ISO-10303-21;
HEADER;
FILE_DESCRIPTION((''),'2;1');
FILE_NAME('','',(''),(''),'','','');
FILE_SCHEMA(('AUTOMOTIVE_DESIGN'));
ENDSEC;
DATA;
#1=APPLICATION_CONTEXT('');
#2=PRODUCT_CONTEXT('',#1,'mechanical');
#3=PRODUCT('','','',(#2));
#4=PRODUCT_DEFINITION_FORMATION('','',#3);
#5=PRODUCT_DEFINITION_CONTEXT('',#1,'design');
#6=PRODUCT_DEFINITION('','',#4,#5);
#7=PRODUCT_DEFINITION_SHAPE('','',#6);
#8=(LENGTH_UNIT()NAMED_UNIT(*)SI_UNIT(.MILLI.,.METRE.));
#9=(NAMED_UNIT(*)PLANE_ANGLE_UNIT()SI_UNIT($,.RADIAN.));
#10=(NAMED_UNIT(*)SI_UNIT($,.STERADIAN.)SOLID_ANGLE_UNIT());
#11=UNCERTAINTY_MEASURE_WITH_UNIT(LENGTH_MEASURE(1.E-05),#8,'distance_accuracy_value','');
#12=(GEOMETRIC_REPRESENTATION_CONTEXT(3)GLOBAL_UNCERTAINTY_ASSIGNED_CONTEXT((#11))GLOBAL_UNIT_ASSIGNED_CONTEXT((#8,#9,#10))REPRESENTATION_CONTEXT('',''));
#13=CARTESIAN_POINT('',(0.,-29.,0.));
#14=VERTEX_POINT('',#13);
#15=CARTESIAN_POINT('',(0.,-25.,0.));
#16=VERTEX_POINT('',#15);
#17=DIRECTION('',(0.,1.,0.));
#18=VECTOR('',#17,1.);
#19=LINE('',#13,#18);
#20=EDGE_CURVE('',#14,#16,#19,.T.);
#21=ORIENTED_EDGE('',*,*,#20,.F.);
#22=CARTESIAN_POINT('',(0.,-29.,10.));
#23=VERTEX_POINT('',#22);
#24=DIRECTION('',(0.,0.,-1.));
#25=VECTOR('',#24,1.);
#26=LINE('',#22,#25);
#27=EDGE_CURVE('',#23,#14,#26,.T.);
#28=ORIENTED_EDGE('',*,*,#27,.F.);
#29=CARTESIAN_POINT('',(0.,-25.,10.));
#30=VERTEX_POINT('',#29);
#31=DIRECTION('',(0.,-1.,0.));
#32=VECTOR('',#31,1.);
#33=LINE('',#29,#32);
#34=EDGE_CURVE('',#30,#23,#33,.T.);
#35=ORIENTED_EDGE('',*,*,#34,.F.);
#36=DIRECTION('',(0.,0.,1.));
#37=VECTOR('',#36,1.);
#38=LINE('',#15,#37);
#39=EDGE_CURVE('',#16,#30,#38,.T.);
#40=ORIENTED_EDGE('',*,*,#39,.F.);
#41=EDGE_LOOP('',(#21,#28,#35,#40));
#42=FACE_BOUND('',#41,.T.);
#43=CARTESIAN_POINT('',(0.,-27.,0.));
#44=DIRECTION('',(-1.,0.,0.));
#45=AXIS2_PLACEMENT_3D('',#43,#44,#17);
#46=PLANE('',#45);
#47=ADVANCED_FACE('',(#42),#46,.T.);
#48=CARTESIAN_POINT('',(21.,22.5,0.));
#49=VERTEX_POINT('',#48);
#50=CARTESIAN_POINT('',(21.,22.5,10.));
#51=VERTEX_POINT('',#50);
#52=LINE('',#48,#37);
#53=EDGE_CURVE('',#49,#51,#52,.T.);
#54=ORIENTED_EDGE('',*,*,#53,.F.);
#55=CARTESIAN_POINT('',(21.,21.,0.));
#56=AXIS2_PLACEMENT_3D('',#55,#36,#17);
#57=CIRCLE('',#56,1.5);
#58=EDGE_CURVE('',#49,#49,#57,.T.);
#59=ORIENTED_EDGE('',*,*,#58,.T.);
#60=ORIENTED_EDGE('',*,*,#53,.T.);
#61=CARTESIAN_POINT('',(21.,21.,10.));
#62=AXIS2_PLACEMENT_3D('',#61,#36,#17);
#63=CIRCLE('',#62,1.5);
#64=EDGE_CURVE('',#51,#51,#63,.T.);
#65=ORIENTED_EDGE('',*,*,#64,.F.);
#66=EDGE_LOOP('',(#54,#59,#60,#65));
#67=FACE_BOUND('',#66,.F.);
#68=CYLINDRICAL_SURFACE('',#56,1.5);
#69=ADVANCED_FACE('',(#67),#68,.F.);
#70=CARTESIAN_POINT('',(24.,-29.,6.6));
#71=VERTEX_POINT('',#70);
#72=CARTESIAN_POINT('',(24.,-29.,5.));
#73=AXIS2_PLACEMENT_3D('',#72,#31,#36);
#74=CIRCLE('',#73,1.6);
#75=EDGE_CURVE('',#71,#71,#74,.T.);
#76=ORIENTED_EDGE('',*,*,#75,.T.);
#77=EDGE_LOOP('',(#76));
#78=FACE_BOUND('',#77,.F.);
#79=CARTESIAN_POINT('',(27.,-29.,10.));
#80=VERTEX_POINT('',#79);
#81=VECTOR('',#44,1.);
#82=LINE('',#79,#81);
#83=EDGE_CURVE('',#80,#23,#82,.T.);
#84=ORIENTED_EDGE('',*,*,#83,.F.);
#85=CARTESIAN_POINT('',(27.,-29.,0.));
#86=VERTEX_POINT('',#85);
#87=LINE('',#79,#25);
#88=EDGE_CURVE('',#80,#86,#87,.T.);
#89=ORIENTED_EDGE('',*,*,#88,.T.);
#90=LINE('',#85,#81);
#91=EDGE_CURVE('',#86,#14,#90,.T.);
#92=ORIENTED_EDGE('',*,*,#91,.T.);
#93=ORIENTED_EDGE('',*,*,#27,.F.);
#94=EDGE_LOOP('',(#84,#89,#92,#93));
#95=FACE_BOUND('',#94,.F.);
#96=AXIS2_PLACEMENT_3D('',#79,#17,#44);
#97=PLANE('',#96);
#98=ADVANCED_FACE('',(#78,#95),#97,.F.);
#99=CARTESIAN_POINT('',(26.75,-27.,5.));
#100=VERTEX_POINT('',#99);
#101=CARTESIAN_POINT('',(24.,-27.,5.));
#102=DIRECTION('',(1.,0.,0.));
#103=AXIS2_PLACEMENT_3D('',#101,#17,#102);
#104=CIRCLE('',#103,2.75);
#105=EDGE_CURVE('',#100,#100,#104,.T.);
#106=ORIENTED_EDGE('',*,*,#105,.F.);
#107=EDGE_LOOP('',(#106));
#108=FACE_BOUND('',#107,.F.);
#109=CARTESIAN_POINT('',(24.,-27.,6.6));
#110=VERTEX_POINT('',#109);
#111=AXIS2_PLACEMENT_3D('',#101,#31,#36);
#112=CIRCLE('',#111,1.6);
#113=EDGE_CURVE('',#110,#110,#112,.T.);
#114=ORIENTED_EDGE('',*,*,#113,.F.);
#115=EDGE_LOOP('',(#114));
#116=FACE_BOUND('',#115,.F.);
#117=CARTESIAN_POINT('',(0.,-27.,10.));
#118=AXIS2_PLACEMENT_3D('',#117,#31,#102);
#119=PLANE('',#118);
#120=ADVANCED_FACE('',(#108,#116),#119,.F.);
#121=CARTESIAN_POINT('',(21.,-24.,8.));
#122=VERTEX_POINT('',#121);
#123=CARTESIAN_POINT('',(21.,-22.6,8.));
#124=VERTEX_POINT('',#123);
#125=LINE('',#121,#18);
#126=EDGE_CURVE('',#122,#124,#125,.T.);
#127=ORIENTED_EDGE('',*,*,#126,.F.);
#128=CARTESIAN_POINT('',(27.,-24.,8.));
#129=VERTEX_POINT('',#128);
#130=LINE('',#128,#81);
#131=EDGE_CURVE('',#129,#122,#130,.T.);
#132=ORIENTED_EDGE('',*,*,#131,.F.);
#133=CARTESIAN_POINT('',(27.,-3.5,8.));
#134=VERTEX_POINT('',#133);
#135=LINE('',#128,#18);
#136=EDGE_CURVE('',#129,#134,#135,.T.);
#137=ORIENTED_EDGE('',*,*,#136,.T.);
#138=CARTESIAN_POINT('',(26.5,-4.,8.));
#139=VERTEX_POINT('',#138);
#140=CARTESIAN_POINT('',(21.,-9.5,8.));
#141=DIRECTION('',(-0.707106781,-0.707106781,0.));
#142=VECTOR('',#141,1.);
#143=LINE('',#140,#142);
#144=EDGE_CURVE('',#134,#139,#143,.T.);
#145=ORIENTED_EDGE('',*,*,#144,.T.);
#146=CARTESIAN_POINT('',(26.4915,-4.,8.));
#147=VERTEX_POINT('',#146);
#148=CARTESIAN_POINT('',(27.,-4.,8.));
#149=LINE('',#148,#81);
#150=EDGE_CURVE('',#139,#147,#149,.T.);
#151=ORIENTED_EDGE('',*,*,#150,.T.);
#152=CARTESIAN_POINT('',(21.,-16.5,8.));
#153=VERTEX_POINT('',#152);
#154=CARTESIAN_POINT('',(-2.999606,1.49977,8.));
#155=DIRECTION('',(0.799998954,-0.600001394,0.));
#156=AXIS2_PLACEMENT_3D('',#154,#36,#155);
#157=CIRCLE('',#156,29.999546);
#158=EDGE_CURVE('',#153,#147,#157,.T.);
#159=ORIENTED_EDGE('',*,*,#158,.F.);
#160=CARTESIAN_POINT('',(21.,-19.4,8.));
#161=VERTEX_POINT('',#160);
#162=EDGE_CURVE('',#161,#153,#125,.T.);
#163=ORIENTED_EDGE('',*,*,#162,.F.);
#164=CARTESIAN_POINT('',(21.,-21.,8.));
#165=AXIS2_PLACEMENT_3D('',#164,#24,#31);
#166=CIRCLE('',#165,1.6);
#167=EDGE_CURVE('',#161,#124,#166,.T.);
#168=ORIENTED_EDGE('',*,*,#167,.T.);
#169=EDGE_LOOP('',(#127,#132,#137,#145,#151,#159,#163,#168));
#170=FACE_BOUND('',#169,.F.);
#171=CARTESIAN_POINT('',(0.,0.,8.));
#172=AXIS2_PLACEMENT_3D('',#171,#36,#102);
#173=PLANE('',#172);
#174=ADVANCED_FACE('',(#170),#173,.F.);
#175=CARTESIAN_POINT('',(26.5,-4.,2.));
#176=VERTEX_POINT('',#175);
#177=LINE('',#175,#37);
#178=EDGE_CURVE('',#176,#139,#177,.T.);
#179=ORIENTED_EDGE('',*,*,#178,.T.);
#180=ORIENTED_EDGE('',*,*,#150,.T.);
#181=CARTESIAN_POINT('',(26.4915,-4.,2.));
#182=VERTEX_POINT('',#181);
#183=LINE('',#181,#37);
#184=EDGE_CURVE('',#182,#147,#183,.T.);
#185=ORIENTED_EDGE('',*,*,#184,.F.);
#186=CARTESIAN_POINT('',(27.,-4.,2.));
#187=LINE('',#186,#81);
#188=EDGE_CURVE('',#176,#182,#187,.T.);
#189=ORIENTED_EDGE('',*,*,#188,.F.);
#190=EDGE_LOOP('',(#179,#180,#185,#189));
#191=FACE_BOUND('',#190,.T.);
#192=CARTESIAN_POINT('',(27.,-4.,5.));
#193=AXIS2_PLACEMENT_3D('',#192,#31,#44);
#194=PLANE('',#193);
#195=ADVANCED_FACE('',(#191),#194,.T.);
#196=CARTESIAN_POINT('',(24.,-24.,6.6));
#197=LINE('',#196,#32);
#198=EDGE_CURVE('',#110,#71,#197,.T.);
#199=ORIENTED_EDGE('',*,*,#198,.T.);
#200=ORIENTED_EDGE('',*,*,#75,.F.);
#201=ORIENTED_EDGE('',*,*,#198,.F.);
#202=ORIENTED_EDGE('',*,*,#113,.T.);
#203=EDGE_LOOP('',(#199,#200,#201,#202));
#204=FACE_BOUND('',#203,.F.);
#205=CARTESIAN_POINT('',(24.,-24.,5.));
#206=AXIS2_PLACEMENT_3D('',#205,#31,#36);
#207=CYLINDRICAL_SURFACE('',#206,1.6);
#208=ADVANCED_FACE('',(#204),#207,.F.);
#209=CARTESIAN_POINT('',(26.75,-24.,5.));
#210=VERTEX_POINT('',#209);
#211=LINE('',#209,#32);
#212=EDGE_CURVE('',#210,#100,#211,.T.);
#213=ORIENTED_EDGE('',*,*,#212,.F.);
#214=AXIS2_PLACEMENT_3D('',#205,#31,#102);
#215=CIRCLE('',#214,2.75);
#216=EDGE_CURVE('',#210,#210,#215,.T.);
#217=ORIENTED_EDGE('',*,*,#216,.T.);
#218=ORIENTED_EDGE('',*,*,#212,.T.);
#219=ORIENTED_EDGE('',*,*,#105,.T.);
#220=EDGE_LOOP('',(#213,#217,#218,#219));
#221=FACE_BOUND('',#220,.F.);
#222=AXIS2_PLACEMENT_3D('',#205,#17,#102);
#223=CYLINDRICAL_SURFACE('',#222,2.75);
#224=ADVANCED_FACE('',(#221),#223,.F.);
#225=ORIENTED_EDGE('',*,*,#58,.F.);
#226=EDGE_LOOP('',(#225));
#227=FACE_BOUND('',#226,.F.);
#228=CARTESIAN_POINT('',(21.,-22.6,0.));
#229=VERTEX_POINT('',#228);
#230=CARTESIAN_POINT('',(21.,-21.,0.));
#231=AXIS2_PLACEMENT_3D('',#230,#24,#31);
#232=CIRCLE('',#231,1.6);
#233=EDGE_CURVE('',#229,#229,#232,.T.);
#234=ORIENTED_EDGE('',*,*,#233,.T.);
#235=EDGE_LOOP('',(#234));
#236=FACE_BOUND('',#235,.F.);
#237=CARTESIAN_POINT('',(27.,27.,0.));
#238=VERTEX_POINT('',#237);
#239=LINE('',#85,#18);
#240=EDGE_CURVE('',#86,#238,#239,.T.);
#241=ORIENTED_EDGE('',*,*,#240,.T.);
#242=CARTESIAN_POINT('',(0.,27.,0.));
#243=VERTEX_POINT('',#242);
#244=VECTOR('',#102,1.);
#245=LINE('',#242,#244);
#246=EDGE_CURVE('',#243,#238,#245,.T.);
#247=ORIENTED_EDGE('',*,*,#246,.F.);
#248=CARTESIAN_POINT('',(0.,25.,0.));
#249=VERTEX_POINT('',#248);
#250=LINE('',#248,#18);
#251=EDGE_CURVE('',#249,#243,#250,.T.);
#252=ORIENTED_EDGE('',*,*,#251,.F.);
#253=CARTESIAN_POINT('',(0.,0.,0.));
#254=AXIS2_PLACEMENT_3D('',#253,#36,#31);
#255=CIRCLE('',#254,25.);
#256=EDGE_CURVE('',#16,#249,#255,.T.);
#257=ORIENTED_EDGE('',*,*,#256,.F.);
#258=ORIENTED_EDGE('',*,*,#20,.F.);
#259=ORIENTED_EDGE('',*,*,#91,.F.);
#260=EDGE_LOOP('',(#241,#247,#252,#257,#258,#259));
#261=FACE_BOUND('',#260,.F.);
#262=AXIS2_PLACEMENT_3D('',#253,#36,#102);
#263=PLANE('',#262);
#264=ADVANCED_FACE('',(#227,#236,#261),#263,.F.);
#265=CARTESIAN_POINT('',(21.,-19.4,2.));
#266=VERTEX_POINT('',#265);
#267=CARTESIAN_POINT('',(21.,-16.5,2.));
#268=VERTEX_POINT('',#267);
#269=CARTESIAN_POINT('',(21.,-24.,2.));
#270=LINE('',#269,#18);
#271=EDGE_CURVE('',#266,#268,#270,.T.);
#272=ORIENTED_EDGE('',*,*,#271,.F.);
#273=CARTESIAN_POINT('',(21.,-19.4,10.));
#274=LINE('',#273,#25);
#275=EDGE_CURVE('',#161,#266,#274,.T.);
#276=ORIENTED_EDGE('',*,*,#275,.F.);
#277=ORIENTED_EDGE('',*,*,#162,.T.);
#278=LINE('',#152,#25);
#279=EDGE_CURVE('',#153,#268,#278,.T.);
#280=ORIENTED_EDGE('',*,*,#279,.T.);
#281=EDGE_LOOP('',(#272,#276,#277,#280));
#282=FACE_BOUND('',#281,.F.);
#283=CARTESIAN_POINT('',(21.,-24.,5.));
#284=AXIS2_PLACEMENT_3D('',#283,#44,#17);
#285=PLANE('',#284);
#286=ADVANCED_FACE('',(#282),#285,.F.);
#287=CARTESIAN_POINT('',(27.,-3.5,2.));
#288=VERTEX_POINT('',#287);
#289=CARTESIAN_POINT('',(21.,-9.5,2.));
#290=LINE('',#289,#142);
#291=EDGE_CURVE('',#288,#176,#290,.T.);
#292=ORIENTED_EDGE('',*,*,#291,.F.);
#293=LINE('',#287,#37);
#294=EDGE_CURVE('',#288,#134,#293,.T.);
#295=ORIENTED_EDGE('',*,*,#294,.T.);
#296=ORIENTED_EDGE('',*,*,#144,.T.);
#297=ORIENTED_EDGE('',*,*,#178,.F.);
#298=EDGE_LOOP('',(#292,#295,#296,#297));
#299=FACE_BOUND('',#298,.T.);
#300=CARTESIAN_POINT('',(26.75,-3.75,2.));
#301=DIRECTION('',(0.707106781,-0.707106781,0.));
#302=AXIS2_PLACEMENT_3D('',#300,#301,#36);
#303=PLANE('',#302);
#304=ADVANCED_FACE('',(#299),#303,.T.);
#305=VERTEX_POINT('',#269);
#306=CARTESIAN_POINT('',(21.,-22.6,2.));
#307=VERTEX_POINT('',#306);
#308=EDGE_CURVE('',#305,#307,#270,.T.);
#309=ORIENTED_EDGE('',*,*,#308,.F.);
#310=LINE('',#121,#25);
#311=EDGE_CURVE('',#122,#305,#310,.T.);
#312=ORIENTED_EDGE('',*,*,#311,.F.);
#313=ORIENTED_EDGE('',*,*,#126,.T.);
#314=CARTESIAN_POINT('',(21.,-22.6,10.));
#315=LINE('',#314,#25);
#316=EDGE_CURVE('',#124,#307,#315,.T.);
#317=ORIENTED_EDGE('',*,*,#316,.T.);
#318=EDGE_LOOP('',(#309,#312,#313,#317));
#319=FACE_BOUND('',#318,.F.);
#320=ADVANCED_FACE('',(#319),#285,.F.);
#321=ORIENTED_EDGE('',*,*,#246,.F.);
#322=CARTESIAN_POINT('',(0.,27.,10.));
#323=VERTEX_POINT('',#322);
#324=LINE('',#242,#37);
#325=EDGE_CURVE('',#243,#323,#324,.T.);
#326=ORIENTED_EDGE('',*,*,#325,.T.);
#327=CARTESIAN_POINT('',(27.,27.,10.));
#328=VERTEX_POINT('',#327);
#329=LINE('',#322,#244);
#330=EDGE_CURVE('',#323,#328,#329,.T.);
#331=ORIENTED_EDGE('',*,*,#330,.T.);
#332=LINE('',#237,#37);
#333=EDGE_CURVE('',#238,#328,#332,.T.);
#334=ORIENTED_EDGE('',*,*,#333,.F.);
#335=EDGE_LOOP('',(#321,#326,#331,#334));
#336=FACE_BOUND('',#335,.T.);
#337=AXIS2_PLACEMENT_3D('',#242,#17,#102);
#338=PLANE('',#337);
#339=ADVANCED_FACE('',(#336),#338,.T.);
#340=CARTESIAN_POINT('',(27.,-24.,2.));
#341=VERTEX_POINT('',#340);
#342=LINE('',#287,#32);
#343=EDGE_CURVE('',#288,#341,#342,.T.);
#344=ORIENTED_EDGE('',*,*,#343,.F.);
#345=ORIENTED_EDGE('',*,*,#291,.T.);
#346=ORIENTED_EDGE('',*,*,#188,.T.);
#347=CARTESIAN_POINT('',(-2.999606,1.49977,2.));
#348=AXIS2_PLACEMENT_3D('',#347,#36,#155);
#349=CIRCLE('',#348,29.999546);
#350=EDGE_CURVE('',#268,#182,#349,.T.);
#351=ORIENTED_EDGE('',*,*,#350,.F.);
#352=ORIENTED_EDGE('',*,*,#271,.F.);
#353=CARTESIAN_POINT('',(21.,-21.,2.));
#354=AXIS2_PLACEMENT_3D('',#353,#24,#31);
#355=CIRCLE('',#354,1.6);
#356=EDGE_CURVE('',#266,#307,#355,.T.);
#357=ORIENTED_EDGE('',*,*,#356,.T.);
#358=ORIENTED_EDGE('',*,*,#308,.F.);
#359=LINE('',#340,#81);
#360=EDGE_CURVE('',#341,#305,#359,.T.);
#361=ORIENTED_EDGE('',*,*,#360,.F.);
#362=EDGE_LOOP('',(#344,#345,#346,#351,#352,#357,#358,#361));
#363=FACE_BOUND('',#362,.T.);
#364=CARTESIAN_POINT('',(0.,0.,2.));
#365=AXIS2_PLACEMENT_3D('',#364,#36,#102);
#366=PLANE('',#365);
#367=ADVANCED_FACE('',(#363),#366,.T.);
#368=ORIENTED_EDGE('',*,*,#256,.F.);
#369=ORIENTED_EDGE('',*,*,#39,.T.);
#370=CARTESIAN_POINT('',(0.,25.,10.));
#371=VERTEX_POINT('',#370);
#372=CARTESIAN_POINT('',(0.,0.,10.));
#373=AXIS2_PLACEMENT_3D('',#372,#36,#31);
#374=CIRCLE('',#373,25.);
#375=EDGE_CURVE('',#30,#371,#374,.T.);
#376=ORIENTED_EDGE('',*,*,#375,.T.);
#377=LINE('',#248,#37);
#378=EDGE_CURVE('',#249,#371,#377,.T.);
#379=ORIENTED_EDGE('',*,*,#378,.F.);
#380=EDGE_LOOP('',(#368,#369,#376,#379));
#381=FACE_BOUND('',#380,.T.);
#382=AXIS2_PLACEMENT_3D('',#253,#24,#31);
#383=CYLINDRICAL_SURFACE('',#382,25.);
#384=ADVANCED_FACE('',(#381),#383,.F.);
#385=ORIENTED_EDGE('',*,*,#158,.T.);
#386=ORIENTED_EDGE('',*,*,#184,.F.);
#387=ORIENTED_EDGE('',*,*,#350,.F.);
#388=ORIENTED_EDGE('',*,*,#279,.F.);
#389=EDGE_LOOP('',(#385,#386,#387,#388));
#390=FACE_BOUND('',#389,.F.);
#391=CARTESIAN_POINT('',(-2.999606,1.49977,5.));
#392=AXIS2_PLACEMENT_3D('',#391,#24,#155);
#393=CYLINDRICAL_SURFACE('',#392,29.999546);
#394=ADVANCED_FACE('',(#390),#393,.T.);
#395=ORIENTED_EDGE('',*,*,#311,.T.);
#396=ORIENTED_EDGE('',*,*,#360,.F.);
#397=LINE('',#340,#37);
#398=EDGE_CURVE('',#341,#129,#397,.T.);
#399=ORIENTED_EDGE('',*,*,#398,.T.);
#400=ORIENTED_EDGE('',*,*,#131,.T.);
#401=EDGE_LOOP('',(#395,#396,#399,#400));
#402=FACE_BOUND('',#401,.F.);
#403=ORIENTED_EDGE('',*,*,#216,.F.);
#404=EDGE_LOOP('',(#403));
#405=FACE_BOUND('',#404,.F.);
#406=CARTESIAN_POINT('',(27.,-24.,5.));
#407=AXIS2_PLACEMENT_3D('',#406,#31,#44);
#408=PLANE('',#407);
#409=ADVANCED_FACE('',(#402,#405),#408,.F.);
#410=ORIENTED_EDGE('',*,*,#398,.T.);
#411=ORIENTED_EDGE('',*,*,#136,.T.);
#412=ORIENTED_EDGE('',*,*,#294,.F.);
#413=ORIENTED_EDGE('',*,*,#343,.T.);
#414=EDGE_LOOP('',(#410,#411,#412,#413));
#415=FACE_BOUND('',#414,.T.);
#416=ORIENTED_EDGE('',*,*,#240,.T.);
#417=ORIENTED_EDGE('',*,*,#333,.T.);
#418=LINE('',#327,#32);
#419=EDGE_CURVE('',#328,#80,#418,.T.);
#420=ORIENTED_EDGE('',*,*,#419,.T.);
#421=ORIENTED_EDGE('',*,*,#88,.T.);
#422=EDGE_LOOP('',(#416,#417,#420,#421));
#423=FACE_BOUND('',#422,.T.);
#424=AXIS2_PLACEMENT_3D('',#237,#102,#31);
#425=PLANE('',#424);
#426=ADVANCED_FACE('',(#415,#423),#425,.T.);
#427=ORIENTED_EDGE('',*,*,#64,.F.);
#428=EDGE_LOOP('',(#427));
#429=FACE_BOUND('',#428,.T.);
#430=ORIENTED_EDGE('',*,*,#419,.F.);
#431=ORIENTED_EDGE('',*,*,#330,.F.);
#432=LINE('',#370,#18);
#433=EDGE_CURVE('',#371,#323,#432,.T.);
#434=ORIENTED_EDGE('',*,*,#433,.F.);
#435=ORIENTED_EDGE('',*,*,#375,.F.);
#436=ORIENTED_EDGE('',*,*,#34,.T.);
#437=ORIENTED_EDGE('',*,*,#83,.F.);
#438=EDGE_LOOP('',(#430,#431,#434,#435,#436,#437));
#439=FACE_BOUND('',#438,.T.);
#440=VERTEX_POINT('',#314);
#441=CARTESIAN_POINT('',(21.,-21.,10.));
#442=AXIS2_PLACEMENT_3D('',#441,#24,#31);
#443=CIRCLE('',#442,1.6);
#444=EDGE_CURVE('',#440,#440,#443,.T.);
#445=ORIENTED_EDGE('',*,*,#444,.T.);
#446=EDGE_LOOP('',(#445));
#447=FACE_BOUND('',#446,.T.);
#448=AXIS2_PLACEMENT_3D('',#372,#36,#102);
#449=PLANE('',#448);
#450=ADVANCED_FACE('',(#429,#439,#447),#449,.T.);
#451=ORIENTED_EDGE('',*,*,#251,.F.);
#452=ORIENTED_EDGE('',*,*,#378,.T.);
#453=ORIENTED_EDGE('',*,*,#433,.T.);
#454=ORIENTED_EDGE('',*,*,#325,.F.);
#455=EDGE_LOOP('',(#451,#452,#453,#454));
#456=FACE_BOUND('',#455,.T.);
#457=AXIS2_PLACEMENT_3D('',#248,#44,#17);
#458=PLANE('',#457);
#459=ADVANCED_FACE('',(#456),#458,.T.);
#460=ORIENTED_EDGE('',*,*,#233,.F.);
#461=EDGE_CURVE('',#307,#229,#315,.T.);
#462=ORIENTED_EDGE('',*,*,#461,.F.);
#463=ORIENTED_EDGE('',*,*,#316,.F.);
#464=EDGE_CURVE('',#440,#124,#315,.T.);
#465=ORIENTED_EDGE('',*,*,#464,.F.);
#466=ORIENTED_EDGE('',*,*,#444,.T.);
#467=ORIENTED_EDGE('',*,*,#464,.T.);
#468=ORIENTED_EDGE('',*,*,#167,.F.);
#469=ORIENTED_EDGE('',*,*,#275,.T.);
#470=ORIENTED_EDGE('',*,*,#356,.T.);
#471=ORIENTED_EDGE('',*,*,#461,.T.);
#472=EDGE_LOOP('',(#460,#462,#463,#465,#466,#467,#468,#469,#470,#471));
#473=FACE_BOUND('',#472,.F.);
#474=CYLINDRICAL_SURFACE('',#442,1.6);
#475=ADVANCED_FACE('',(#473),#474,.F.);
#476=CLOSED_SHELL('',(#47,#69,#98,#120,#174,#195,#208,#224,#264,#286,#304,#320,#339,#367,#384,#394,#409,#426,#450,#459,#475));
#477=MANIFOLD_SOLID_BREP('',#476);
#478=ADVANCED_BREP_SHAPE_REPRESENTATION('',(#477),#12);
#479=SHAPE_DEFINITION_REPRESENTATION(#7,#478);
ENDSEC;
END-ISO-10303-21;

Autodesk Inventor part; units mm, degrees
ref_plane "YZ Plane" through (0, 0, 0) normal (1, 0, 0) x (0, 1, 0)
ref_plane "XZ Plane" through (0, 0, 0) normal (0, 1, 0) x (-1, 0, 0)
sketch "Sketch1" plane through (0, 0, 0) normal (0, 0, 1) x (1, 0, 0)
  circle A0 centre (0, 0) radius 25 construction
  arc A1 (0, -25) -> (0, 25) centre (0, 0) ccw
  line L0 (0, 25) -> (0, 27)
  line L1 (0, 27) -> (27, 27)
  line L2 (27, 27) -> (27, -27)
  line L3 (27, -27) -> (0, -27)
  line L4 (0, -27) -> (0, -25)
  line L5 (0, 0) -> (27, 0) construction
  dimension "d0" = 50
  dimension "d2" = 27
  dimension "d4" = 54
  dimension "d5" = 2
extrude "Extrusion1" add sketch "Sketch1" along normal blind 10
ref_plane "Work Plane1" through (0, 0, 5) normal (0, 0, 1) x (1, 0, 0)
sketch "Sketch3" plane through (0, 0, 5) normal (0, 0, 1) x (1, 0, 0)
  line L0 (27, -27) -> (27, 27) projected
  line L1 (27, -24) -> (21, -24)
  line L2 (0, -27) -> (27, -27) projected
  line L3 (21, -24) -> (21, -16.5)
  line L4 (27, -4) -> (26.4915, -4)
  arc A0 (21, -16.5) -> (26.4915, -4) centre (-3, 1.5) ccw
  line L5 (27, -4) -> (27, -24)
  point P0 (0, 0)
  dimension "d17" = 3
  dimension "d18" = 20
  dimension "d19" = 30
  dimension "d20" = 1.5
  dimension "d21" = 3
  dimension "d22" = 6
extrude "Extrusion3" cut sketch "Sketch3" along normal mid plane 6
sketch "Sketch4" plane through (0, 0, 10) normal (0, 0, 1) x (1, 0, 0)
  circle A0 centre (21, -21) radius 1.6
  point P0 (0, 0)
  dimension "d25" = 3.2
  dimension "d26" = 21
  dimension "d27" = 21
hole "Hole1" at (21, -21, 10) direction (0, 0, -1) diameter 3.2 depth 20 tip angle 118
chamfer "Chamfer2" distance 0.5 angle 45 1 edges at (27, -4, 5)
sketch "Sketch5" plane through (21, -24, 2) normal (0, 1, 0) x (1, 0, 0)
  circle A0 centre (3, -3) radius 1.6
  line L0 (11.4, -3) -> (-26.4, -3) projected
  line L1 (-21, 2) -> (-21, -8) projected
  circle A1 centre (3, -3) radius 2.75
  dimension "d38" = 3.2
  dimension "d39" = 24
  dimension "d40" = 5.5
hole "Hole2" at (24, -24, 5) direction (0, -1, 0) diameter 3.2 depth 20 tip angle 118
extrude "Extrusion4" cut sketch "Sketch5" against normal blind 3 contours L0 A1 A0 | A0 L0 A1
sketch "Sketch6" plane through (0, 0, 10) normal (0, 0, 1) x (1, 0, 0)
  line L0 (0, -27) -> (27, -27)
  line L1 (27, -27) -> (27, -29)
  line L2 (27, -29) -> (0, -29)
  line L3 (0, -29) -> (0, -27)
  line L4 (27, -27) -> (27, 27) projected
  line L5 (0, -25) -> (0, -27) projected
  line L6 (0, -27) -> (27, -27) projected
  point P0 (0, 0)
  dimension "d50" = 2
extrude "Extrusion5" add sketch "Sketch6" against normal blind 10
hole "Hole3" at (24, -24, 5) direction (0, -1, 0) diameter 3.2 depth 20 tip angle 118
sketch "Sketch7" plane through (0, 0, 10) normal (0, 0, 1) x (1, 0, 0)
  line L0 (27, 27) -> (0, 27) projected
  line L1 (0, 27) -> (27, 27)
  line L2 (27, 27) -> (27, 24)
  line L3 (27, 24) -> (0, 24)
  line L4 (0, 24) -> (0, 27)
  line L5 (27, -29) -> (27, 27) projected
  point P0 (0, 0)
  dimension "d60" = 3
sketch "Sketch8" plane through (0, 0, 0) normal (0, 0, -1) x (-1, 0, 0)
  circle A0 centre (-21, 21) radius 1.85 projected
  circle A1 centre (-21, 21) radius 1.85 projected
  circle A2 centre (-21, 21) radius 1.85
  point P0 (0, 0)
hole "Hole4" at (21, 21, 0) direction (0, 0, 1) diameter 3 depth 10
properties part number "Aufnahme_Fan_02"
